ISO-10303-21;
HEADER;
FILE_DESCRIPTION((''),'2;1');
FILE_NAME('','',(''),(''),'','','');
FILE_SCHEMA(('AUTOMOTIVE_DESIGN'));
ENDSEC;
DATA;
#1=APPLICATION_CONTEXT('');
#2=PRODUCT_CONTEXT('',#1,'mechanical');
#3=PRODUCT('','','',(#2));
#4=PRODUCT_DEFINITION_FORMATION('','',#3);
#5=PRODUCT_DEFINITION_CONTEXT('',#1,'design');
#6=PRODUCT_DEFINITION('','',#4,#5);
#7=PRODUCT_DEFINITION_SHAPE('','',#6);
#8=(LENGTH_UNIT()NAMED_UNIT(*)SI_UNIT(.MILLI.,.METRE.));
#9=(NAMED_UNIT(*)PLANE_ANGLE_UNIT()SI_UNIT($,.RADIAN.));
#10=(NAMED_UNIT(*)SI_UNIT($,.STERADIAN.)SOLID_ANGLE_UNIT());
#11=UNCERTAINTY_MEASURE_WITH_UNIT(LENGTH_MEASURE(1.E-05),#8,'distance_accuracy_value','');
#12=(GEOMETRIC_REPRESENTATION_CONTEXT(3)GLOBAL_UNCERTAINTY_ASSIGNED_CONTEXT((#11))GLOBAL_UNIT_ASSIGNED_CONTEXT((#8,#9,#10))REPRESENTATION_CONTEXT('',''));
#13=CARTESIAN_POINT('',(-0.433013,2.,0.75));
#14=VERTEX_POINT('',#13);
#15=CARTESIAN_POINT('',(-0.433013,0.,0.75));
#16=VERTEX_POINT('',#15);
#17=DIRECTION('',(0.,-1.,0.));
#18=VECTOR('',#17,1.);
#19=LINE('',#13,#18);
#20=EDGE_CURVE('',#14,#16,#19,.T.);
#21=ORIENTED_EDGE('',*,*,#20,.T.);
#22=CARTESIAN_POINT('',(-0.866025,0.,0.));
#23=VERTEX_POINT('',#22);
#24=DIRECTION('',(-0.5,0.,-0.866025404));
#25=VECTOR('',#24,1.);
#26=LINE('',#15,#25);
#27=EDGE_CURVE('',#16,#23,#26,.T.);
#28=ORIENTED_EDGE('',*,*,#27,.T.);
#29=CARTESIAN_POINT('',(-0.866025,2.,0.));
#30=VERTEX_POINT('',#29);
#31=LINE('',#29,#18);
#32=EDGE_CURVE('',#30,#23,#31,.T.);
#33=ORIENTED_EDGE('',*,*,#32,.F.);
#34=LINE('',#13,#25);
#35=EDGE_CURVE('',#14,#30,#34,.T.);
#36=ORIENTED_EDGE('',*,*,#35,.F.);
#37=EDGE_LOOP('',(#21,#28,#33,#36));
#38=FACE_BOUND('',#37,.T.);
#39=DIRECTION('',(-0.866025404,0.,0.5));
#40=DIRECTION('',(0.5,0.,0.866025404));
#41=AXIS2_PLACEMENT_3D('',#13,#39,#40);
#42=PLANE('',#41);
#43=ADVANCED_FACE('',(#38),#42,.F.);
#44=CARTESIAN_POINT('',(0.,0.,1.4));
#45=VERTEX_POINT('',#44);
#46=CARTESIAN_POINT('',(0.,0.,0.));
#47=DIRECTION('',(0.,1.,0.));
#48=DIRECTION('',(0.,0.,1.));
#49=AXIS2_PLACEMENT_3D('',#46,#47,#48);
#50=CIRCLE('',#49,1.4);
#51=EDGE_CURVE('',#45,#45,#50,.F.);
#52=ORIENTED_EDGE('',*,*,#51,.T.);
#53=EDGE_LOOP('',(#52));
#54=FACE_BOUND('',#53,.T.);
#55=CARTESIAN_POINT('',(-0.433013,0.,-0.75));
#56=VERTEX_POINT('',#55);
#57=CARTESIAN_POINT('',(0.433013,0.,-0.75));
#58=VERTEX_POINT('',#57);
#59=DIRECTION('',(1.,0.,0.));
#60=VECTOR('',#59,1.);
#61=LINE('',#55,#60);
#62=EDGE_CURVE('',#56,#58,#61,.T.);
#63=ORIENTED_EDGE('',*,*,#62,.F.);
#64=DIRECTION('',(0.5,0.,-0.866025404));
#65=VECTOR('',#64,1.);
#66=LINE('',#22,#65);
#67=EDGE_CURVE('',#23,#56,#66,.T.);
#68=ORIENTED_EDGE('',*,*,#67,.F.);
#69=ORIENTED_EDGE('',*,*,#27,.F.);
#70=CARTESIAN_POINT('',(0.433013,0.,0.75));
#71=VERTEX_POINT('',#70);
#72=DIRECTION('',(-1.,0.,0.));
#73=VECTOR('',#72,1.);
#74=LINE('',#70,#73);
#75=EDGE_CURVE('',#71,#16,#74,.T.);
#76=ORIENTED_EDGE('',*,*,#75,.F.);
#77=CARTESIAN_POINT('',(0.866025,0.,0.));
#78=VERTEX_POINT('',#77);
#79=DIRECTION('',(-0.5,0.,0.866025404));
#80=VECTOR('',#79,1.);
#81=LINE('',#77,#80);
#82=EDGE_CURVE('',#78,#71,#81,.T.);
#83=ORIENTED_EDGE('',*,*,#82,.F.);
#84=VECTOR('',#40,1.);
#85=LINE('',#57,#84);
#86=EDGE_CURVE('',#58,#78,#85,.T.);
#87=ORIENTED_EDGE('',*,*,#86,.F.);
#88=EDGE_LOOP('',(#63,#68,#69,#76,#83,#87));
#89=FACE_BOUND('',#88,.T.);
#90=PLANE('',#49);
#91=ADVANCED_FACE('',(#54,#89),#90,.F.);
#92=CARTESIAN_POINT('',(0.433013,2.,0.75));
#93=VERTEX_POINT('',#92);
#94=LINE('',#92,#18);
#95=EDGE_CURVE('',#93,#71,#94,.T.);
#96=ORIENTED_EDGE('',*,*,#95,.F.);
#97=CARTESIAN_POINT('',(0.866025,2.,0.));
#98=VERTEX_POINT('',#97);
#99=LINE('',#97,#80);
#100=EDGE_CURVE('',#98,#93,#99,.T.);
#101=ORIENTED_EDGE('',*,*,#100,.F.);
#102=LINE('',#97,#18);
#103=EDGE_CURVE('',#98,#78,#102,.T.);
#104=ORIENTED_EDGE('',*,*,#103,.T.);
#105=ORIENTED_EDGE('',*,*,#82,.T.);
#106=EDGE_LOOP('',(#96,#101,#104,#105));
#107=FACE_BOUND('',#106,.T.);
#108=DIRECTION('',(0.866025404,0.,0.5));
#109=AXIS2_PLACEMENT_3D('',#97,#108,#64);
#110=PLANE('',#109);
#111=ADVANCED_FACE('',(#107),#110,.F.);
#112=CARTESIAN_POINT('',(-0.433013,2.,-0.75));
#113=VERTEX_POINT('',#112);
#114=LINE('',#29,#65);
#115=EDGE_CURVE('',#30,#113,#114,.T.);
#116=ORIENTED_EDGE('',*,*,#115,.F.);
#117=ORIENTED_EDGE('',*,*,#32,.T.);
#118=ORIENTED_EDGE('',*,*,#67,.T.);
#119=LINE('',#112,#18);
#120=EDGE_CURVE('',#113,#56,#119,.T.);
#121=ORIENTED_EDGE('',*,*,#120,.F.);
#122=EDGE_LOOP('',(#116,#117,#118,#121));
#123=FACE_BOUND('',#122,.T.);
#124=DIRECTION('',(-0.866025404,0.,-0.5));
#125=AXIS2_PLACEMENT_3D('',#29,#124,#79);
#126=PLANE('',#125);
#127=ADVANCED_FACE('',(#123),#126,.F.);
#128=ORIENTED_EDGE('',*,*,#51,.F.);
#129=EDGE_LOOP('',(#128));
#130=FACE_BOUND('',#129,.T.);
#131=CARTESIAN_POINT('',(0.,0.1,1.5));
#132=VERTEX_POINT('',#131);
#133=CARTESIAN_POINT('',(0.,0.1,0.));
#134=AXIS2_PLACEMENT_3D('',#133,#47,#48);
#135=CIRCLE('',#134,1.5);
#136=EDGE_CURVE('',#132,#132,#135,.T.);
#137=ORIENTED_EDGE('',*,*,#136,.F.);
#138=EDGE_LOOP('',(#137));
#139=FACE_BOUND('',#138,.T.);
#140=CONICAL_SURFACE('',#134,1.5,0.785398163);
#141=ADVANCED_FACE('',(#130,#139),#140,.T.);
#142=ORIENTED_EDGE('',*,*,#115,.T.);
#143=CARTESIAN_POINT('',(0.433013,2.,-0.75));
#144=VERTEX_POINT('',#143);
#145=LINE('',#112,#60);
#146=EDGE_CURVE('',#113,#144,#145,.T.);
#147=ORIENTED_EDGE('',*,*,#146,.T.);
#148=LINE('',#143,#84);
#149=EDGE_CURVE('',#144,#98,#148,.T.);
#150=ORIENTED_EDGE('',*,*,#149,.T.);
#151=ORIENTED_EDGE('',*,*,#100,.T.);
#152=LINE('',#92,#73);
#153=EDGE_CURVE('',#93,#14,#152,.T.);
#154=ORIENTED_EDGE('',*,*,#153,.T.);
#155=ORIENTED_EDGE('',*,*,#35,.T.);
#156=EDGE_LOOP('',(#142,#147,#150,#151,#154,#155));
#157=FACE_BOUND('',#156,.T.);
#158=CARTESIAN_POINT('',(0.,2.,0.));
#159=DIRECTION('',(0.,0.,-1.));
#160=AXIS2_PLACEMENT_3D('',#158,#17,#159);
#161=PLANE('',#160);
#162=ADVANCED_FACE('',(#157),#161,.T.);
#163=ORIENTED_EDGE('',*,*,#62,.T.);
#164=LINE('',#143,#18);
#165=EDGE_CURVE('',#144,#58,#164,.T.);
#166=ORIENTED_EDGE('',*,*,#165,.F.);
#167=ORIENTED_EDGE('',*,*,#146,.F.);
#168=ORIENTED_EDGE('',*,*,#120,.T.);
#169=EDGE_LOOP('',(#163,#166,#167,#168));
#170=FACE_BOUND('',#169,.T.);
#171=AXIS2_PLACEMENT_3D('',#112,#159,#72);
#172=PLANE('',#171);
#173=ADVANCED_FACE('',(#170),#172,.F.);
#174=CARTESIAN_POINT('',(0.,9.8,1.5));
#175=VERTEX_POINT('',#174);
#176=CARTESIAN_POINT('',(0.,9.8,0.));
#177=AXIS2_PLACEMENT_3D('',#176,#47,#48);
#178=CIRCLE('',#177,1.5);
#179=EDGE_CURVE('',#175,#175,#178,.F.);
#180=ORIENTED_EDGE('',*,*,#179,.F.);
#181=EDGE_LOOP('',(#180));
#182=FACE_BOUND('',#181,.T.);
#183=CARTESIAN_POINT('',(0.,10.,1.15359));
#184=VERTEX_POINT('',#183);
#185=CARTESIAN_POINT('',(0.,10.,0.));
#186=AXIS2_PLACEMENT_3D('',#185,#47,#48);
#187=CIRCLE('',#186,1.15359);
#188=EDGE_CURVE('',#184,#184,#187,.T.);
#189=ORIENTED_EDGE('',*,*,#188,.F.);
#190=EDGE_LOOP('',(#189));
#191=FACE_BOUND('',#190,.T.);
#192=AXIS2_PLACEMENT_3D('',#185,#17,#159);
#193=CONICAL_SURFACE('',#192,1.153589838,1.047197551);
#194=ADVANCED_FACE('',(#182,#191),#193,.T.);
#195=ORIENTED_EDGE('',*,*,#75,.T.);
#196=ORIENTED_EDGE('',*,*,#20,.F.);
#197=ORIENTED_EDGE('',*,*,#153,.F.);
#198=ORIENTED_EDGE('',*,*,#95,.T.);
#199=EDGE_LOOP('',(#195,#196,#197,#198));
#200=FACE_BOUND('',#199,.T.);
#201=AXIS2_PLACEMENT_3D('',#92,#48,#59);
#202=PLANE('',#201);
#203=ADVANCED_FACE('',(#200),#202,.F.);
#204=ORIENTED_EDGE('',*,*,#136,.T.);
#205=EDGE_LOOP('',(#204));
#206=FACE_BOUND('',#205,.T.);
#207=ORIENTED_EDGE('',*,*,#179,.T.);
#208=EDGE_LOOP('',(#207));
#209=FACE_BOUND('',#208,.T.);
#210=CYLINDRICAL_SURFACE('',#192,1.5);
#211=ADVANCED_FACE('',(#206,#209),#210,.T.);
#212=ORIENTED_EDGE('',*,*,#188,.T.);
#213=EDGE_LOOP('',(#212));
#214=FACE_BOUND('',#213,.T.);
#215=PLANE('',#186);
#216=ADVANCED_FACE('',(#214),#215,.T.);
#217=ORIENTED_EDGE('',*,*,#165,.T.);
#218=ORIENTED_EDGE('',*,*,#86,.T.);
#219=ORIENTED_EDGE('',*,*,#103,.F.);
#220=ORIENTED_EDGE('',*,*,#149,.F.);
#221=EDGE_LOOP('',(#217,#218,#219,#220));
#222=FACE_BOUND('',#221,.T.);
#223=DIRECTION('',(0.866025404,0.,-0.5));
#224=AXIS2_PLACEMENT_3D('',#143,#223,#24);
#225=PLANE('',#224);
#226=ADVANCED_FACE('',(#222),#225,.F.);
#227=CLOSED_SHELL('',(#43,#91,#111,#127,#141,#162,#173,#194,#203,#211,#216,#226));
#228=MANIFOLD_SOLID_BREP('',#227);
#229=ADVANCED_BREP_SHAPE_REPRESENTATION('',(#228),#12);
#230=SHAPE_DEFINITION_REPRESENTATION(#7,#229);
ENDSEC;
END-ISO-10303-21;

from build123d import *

# Parameters (mm, degrees)
CROQUIS1_R              = 1.5
SALIENTE_EXTRUIR1_DEPTH = 10
CORTAR_EXTRUIR1_DEPTH   = 2
CHAFL_N2_SIZE           = 0.1
CHAFL_N3_SIZE           = 0.2
CHAFL_N3_SIZE2          = 0.346410162


with BuildPart() as part:
    # Croquis1 → Saliente-Extruir1 (new body)
    with BuildSketch(Plane(origin=(0, 0, 0), x_dir=(1, 0, 0), z_dir=(0, 1, 0))):
        Circle(CROQUIS1_R)
    extrude(amount=SALIENTE_EXTRUIR1_DEPTH)

    # Croquis2 → Cortar-Extruir1 (cut)
    with BuildSketch(Plane.XZ):
        Polygon((0.433012702, 0.75), (-0.433012702, 0.75), (-0.866025404, 0), (-0.433012702, -0.75), (0.433012702, -0.75), (0.866025404, 0), align=None)
    extrude(amount=-CORTAR_EXTRUIR1_DEPTH, mode=Mode.SUBTRACT)

    # Chaflán2
    chafl_n2_edges = [part.edges().sort_by_distance(p)[0] for p in [
        (-1.5, 0, 0),
    ]]
    chamfer(chafl_n2_edges, length=CHAFL_N2_SIZE)

    # Chaflán3
    chafl_n3_edges = [part.edges().sort_by_distance(p)[0] for p in [
        (-1.5, 10, 0),
    ]]
    chafl_n3_side = [part.faces().sort_by_distance(p)[0] for p in [
        (-1.5, 5.05, 0),
    ]]
    chamfer(chafl_n3_edges, length=CHAFL_N3_SIZE, length2=CHAFL_N3_SIZE2, reference=chafl_n3_side[0])


solid = part.part
